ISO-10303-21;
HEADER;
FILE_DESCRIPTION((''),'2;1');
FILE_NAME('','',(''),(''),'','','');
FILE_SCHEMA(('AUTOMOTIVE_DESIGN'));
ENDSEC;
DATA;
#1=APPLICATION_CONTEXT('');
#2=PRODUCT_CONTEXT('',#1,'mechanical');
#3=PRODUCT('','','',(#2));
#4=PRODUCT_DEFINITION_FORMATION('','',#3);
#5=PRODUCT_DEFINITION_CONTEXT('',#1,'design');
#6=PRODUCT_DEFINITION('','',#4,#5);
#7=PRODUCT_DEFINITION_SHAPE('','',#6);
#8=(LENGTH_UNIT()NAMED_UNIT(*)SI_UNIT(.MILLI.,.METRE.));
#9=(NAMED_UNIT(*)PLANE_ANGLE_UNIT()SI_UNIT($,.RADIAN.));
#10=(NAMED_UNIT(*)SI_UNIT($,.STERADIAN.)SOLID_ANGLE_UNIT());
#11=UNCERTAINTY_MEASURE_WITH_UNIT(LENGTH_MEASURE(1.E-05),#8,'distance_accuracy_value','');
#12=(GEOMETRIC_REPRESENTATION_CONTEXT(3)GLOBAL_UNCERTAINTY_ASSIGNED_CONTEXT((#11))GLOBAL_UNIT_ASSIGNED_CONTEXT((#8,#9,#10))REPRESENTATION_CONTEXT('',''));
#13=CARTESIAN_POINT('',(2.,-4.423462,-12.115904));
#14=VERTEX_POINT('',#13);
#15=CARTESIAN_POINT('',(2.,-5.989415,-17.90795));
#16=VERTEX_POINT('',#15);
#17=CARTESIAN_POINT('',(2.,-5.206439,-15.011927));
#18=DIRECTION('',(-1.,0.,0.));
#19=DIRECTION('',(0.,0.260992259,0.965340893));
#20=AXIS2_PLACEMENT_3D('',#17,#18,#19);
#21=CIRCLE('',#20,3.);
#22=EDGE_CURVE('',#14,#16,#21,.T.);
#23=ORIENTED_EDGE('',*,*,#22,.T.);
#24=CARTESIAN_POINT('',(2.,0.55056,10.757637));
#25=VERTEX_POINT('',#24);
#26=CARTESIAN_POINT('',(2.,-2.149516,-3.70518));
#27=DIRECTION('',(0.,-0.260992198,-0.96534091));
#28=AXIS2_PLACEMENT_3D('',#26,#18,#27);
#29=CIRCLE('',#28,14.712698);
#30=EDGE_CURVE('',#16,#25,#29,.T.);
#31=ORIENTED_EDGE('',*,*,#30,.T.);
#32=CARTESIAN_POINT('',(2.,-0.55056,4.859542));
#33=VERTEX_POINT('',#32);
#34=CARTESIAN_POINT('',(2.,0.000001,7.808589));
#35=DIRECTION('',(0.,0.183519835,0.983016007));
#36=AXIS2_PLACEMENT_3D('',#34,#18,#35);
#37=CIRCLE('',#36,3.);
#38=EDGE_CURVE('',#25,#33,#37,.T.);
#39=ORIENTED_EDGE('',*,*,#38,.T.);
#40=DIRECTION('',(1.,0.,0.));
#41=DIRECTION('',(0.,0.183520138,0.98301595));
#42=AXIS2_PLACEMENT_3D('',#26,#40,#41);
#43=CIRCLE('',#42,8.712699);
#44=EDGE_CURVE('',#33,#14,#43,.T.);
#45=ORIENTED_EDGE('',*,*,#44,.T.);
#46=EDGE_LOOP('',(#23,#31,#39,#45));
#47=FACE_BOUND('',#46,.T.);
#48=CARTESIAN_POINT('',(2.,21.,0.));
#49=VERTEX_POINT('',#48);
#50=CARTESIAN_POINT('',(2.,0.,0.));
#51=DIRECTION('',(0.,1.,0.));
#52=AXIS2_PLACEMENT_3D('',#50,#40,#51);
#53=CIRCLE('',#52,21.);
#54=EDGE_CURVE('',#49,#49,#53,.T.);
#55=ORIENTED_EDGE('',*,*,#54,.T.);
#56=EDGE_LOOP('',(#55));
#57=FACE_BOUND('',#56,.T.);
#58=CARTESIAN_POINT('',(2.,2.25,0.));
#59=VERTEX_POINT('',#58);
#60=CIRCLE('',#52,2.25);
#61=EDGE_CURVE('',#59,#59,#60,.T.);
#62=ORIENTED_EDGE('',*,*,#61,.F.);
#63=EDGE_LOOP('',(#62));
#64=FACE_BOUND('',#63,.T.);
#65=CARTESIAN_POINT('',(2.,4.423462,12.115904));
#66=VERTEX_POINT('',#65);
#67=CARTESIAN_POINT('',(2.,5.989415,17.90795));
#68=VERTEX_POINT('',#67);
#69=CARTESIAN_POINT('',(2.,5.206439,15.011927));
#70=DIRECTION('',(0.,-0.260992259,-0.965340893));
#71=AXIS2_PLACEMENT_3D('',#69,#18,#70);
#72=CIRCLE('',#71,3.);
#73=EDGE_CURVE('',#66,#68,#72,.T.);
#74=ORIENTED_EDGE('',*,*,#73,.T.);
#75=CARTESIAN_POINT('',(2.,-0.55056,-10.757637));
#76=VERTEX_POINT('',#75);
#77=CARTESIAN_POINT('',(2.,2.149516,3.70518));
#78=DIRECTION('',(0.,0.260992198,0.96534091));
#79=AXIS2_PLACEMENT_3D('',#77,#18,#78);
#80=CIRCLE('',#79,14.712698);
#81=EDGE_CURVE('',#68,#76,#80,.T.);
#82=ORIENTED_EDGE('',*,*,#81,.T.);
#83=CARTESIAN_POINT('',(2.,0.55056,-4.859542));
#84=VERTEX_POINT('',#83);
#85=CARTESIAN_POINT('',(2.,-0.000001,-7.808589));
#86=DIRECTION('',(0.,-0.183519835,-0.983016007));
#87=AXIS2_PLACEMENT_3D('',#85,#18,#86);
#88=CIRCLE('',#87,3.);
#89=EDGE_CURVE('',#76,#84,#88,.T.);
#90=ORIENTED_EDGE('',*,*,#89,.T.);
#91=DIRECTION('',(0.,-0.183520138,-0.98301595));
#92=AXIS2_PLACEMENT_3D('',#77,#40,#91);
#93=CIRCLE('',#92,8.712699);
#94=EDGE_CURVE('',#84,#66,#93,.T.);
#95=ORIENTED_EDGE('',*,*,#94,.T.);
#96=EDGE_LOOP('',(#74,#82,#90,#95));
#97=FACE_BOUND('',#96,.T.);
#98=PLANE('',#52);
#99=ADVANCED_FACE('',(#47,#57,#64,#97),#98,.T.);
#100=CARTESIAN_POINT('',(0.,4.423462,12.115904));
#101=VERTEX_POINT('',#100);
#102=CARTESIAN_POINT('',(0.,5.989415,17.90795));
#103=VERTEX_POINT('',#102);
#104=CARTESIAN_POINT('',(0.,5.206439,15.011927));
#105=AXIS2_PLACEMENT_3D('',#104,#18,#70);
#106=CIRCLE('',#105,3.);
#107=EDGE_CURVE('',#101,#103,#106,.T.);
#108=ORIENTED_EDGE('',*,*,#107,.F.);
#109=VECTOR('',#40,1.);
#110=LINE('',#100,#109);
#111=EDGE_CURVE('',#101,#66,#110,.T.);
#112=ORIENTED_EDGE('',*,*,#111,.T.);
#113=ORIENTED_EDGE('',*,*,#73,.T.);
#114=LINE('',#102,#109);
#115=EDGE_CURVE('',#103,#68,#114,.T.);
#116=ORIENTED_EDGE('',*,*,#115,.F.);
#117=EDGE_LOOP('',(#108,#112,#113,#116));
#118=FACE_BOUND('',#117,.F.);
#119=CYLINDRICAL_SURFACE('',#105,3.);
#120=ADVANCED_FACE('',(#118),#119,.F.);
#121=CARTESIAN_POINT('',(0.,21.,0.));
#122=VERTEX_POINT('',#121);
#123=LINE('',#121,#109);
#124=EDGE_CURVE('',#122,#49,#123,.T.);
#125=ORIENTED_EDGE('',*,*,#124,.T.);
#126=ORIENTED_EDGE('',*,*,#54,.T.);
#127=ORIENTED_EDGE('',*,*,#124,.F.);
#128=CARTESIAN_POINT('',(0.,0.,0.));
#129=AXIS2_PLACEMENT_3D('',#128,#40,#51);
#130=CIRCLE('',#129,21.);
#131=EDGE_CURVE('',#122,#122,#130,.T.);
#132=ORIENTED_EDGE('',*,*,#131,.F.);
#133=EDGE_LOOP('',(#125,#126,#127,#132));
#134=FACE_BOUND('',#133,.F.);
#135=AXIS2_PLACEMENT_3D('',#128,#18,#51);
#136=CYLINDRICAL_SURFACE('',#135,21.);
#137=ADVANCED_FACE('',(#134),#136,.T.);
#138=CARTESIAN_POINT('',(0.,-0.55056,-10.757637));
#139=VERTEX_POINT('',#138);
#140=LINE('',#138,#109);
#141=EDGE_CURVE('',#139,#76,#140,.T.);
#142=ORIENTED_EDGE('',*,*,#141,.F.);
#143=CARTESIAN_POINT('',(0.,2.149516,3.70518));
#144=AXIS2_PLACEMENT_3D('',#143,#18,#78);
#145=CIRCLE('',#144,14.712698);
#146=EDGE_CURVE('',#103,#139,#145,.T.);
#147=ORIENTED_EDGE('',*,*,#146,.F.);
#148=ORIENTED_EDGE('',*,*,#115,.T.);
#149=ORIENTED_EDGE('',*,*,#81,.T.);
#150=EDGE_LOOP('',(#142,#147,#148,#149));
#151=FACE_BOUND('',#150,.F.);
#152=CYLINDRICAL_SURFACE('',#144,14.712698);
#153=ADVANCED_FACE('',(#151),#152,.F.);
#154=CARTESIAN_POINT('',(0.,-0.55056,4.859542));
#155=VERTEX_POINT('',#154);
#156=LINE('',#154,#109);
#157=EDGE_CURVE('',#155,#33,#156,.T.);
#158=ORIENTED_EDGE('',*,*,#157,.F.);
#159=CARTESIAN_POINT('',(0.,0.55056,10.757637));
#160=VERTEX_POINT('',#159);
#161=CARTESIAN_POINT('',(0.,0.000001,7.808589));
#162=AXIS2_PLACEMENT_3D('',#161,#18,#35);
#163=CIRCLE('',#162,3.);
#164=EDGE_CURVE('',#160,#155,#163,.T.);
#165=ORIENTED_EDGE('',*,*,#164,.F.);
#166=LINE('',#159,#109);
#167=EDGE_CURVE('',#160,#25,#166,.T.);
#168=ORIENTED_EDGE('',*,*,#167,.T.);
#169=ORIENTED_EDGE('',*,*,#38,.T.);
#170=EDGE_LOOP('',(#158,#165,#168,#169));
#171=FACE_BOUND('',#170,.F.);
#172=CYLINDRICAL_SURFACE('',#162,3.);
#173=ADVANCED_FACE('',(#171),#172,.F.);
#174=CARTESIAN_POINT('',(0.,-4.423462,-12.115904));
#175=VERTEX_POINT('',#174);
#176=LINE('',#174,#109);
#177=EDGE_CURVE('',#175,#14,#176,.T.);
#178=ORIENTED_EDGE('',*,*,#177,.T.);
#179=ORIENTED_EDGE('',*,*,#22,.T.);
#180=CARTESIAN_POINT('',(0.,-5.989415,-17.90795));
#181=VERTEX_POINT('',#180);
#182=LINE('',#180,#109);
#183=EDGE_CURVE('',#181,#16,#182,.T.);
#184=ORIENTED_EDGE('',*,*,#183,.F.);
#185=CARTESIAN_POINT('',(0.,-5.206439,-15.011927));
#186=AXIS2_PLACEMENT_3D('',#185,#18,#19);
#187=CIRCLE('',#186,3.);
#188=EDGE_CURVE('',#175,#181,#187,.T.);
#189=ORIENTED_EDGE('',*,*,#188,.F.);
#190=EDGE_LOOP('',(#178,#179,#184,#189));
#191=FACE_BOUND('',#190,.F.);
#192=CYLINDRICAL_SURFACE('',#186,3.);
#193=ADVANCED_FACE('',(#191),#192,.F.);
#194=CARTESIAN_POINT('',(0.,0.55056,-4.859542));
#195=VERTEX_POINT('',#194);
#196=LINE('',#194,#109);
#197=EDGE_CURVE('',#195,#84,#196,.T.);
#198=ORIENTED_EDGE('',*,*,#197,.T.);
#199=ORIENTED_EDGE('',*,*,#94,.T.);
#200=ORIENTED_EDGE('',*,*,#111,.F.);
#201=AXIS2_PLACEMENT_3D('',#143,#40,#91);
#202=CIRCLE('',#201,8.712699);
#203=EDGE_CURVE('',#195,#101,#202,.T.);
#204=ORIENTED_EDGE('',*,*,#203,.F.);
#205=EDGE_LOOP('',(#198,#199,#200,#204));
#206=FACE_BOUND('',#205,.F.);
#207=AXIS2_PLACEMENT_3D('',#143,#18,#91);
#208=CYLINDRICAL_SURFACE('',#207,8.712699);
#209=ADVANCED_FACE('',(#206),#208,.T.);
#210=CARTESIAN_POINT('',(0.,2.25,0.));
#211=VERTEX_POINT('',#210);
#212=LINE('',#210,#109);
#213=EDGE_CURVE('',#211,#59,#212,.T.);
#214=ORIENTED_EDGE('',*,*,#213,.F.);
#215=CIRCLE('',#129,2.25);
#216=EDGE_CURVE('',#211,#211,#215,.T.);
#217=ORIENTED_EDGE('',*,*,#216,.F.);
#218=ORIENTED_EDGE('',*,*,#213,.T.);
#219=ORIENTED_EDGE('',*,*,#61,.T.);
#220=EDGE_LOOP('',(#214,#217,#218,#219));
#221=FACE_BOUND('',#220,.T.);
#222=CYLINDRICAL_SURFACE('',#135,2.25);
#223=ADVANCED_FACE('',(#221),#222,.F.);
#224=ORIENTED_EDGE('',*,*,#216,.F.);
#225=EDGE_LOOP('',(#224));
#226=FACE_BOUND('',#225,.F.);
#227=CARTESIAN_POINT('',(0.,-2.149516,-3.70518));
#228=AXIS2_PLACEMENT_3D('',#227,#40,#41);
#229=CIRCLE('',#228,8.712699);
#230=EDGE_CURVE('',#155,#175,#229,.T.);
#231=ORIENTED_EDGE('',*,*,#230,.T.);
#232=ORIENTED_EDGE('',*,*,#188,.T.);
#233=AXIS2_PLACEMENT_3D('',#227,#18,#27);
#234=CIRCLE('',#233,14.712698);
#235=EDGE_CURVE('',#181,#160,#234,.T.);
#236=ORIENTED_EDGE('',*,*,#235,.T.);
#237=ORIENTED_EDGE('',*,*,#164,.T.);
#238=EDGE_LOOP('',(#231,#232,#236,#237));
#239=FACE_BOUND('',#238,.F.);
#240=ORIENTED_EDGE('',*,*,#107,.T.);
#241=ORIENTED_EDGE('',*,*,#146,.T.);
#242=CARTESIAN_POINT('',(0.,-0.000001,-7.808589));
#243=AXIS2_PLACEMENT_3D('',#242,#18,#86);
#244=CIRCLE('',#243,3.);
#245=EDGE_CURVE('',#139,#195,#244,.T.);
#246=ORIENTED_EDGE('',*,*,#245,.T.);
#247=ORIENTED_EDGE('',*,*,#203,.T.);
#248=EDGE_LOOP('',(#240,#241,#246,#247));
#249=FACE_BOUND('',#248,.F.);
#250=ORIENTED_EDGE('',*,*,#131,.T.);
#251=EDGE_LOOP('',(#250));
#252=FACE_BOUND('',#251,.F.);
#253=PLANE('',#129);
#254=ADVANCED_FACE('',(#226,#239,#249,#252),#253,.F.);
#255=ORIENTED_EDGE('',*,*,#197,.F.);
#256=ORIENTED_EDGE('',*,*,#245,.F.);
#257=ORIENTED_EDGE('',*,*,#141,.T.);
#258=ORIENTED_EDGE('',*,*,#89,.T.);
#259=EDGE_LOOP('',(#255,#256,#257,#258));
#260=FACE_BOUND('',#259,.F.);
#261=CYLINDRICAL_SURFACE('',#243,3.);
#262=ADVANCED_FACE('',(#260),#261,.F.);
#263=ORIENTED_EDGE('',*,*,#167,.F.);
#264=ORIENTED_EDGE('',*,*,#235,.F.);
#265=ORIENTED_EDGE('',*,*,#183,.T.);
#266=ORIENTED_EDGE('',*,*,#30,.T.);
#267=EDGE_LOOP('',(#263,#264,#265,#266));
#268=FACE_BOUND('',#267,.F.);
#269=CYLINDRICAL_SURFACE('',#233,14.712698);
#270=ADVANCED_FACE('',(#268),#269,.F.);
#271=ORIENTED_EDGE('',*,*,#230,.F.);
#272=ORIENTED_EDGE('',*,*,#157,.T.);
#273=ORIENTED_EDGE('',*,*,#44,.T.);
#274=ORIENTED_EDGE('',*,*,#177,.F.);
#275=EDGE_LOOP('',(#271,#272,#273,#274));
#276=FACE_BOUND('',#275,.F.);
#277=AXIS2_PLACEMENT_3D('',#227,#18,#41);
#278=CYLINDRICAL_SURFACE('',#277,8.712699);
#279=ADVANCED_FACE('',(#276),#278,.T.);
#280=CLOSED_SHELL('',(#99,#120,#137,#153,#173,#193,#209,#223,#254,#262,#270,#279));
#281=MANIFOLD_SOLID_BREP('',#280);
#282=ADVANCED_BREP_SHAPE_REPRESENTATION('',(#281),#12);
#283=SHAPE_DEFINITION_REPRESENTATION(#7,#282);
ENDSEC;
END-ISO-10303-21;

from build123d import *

# Parameters (mm, degrees)
F0_R     = 21
F0_R_2   = 2.25
F1_DEPTH = 2


with BuildPart() as f1:
    # F0 (on Right) → F1 (new body)
    with BuildSketch(Plane.YZ):
        Circle(F0_R)
        with BuildLine():
            ThreePointArc((-4.423462, -12.115904), (-2.310416, -15.794904), (-5.989415, -17.90795))
            ThreePointArc((-5.989415, -17.90795), (-16.493635, -0.432608), (0.55056, 10.757637))
            ThreePointArc((0.55056, 10.757637), (2.949048, 7.258029), (-0.55056, 4.859542))
            ThreePointArc((-0.55056, 4.859542), (-10.643946, -1.767199), (-4.423462, -12.115904))
        make_face(mode=Mode.SUBTRACT)
        Circle(F0_R_2, mode=Mode.SUBTRACT)
        with BuildLine():
            ThreePointArc((-0.55056, -10.757637), (-2.949048, -7.258029), (0.55056, -4.859542))
            ThreePointArc((0.55056, -4.859542), (10.643946, 1.767199), (4.423462, 12.115904))
            ThreePointArc((4.423462, 12.115904), (2.310416, 15.794904), (5.989415, 17.90795))
            ThreePointArc((5.989415, 17.90795), (16.493635, 0.432608), (-0.55056, -10.757637))
        make_face(mode=Mode.SUBTRACT)
    extrude(amount=F1_DEPTH)


solid = f1.part
